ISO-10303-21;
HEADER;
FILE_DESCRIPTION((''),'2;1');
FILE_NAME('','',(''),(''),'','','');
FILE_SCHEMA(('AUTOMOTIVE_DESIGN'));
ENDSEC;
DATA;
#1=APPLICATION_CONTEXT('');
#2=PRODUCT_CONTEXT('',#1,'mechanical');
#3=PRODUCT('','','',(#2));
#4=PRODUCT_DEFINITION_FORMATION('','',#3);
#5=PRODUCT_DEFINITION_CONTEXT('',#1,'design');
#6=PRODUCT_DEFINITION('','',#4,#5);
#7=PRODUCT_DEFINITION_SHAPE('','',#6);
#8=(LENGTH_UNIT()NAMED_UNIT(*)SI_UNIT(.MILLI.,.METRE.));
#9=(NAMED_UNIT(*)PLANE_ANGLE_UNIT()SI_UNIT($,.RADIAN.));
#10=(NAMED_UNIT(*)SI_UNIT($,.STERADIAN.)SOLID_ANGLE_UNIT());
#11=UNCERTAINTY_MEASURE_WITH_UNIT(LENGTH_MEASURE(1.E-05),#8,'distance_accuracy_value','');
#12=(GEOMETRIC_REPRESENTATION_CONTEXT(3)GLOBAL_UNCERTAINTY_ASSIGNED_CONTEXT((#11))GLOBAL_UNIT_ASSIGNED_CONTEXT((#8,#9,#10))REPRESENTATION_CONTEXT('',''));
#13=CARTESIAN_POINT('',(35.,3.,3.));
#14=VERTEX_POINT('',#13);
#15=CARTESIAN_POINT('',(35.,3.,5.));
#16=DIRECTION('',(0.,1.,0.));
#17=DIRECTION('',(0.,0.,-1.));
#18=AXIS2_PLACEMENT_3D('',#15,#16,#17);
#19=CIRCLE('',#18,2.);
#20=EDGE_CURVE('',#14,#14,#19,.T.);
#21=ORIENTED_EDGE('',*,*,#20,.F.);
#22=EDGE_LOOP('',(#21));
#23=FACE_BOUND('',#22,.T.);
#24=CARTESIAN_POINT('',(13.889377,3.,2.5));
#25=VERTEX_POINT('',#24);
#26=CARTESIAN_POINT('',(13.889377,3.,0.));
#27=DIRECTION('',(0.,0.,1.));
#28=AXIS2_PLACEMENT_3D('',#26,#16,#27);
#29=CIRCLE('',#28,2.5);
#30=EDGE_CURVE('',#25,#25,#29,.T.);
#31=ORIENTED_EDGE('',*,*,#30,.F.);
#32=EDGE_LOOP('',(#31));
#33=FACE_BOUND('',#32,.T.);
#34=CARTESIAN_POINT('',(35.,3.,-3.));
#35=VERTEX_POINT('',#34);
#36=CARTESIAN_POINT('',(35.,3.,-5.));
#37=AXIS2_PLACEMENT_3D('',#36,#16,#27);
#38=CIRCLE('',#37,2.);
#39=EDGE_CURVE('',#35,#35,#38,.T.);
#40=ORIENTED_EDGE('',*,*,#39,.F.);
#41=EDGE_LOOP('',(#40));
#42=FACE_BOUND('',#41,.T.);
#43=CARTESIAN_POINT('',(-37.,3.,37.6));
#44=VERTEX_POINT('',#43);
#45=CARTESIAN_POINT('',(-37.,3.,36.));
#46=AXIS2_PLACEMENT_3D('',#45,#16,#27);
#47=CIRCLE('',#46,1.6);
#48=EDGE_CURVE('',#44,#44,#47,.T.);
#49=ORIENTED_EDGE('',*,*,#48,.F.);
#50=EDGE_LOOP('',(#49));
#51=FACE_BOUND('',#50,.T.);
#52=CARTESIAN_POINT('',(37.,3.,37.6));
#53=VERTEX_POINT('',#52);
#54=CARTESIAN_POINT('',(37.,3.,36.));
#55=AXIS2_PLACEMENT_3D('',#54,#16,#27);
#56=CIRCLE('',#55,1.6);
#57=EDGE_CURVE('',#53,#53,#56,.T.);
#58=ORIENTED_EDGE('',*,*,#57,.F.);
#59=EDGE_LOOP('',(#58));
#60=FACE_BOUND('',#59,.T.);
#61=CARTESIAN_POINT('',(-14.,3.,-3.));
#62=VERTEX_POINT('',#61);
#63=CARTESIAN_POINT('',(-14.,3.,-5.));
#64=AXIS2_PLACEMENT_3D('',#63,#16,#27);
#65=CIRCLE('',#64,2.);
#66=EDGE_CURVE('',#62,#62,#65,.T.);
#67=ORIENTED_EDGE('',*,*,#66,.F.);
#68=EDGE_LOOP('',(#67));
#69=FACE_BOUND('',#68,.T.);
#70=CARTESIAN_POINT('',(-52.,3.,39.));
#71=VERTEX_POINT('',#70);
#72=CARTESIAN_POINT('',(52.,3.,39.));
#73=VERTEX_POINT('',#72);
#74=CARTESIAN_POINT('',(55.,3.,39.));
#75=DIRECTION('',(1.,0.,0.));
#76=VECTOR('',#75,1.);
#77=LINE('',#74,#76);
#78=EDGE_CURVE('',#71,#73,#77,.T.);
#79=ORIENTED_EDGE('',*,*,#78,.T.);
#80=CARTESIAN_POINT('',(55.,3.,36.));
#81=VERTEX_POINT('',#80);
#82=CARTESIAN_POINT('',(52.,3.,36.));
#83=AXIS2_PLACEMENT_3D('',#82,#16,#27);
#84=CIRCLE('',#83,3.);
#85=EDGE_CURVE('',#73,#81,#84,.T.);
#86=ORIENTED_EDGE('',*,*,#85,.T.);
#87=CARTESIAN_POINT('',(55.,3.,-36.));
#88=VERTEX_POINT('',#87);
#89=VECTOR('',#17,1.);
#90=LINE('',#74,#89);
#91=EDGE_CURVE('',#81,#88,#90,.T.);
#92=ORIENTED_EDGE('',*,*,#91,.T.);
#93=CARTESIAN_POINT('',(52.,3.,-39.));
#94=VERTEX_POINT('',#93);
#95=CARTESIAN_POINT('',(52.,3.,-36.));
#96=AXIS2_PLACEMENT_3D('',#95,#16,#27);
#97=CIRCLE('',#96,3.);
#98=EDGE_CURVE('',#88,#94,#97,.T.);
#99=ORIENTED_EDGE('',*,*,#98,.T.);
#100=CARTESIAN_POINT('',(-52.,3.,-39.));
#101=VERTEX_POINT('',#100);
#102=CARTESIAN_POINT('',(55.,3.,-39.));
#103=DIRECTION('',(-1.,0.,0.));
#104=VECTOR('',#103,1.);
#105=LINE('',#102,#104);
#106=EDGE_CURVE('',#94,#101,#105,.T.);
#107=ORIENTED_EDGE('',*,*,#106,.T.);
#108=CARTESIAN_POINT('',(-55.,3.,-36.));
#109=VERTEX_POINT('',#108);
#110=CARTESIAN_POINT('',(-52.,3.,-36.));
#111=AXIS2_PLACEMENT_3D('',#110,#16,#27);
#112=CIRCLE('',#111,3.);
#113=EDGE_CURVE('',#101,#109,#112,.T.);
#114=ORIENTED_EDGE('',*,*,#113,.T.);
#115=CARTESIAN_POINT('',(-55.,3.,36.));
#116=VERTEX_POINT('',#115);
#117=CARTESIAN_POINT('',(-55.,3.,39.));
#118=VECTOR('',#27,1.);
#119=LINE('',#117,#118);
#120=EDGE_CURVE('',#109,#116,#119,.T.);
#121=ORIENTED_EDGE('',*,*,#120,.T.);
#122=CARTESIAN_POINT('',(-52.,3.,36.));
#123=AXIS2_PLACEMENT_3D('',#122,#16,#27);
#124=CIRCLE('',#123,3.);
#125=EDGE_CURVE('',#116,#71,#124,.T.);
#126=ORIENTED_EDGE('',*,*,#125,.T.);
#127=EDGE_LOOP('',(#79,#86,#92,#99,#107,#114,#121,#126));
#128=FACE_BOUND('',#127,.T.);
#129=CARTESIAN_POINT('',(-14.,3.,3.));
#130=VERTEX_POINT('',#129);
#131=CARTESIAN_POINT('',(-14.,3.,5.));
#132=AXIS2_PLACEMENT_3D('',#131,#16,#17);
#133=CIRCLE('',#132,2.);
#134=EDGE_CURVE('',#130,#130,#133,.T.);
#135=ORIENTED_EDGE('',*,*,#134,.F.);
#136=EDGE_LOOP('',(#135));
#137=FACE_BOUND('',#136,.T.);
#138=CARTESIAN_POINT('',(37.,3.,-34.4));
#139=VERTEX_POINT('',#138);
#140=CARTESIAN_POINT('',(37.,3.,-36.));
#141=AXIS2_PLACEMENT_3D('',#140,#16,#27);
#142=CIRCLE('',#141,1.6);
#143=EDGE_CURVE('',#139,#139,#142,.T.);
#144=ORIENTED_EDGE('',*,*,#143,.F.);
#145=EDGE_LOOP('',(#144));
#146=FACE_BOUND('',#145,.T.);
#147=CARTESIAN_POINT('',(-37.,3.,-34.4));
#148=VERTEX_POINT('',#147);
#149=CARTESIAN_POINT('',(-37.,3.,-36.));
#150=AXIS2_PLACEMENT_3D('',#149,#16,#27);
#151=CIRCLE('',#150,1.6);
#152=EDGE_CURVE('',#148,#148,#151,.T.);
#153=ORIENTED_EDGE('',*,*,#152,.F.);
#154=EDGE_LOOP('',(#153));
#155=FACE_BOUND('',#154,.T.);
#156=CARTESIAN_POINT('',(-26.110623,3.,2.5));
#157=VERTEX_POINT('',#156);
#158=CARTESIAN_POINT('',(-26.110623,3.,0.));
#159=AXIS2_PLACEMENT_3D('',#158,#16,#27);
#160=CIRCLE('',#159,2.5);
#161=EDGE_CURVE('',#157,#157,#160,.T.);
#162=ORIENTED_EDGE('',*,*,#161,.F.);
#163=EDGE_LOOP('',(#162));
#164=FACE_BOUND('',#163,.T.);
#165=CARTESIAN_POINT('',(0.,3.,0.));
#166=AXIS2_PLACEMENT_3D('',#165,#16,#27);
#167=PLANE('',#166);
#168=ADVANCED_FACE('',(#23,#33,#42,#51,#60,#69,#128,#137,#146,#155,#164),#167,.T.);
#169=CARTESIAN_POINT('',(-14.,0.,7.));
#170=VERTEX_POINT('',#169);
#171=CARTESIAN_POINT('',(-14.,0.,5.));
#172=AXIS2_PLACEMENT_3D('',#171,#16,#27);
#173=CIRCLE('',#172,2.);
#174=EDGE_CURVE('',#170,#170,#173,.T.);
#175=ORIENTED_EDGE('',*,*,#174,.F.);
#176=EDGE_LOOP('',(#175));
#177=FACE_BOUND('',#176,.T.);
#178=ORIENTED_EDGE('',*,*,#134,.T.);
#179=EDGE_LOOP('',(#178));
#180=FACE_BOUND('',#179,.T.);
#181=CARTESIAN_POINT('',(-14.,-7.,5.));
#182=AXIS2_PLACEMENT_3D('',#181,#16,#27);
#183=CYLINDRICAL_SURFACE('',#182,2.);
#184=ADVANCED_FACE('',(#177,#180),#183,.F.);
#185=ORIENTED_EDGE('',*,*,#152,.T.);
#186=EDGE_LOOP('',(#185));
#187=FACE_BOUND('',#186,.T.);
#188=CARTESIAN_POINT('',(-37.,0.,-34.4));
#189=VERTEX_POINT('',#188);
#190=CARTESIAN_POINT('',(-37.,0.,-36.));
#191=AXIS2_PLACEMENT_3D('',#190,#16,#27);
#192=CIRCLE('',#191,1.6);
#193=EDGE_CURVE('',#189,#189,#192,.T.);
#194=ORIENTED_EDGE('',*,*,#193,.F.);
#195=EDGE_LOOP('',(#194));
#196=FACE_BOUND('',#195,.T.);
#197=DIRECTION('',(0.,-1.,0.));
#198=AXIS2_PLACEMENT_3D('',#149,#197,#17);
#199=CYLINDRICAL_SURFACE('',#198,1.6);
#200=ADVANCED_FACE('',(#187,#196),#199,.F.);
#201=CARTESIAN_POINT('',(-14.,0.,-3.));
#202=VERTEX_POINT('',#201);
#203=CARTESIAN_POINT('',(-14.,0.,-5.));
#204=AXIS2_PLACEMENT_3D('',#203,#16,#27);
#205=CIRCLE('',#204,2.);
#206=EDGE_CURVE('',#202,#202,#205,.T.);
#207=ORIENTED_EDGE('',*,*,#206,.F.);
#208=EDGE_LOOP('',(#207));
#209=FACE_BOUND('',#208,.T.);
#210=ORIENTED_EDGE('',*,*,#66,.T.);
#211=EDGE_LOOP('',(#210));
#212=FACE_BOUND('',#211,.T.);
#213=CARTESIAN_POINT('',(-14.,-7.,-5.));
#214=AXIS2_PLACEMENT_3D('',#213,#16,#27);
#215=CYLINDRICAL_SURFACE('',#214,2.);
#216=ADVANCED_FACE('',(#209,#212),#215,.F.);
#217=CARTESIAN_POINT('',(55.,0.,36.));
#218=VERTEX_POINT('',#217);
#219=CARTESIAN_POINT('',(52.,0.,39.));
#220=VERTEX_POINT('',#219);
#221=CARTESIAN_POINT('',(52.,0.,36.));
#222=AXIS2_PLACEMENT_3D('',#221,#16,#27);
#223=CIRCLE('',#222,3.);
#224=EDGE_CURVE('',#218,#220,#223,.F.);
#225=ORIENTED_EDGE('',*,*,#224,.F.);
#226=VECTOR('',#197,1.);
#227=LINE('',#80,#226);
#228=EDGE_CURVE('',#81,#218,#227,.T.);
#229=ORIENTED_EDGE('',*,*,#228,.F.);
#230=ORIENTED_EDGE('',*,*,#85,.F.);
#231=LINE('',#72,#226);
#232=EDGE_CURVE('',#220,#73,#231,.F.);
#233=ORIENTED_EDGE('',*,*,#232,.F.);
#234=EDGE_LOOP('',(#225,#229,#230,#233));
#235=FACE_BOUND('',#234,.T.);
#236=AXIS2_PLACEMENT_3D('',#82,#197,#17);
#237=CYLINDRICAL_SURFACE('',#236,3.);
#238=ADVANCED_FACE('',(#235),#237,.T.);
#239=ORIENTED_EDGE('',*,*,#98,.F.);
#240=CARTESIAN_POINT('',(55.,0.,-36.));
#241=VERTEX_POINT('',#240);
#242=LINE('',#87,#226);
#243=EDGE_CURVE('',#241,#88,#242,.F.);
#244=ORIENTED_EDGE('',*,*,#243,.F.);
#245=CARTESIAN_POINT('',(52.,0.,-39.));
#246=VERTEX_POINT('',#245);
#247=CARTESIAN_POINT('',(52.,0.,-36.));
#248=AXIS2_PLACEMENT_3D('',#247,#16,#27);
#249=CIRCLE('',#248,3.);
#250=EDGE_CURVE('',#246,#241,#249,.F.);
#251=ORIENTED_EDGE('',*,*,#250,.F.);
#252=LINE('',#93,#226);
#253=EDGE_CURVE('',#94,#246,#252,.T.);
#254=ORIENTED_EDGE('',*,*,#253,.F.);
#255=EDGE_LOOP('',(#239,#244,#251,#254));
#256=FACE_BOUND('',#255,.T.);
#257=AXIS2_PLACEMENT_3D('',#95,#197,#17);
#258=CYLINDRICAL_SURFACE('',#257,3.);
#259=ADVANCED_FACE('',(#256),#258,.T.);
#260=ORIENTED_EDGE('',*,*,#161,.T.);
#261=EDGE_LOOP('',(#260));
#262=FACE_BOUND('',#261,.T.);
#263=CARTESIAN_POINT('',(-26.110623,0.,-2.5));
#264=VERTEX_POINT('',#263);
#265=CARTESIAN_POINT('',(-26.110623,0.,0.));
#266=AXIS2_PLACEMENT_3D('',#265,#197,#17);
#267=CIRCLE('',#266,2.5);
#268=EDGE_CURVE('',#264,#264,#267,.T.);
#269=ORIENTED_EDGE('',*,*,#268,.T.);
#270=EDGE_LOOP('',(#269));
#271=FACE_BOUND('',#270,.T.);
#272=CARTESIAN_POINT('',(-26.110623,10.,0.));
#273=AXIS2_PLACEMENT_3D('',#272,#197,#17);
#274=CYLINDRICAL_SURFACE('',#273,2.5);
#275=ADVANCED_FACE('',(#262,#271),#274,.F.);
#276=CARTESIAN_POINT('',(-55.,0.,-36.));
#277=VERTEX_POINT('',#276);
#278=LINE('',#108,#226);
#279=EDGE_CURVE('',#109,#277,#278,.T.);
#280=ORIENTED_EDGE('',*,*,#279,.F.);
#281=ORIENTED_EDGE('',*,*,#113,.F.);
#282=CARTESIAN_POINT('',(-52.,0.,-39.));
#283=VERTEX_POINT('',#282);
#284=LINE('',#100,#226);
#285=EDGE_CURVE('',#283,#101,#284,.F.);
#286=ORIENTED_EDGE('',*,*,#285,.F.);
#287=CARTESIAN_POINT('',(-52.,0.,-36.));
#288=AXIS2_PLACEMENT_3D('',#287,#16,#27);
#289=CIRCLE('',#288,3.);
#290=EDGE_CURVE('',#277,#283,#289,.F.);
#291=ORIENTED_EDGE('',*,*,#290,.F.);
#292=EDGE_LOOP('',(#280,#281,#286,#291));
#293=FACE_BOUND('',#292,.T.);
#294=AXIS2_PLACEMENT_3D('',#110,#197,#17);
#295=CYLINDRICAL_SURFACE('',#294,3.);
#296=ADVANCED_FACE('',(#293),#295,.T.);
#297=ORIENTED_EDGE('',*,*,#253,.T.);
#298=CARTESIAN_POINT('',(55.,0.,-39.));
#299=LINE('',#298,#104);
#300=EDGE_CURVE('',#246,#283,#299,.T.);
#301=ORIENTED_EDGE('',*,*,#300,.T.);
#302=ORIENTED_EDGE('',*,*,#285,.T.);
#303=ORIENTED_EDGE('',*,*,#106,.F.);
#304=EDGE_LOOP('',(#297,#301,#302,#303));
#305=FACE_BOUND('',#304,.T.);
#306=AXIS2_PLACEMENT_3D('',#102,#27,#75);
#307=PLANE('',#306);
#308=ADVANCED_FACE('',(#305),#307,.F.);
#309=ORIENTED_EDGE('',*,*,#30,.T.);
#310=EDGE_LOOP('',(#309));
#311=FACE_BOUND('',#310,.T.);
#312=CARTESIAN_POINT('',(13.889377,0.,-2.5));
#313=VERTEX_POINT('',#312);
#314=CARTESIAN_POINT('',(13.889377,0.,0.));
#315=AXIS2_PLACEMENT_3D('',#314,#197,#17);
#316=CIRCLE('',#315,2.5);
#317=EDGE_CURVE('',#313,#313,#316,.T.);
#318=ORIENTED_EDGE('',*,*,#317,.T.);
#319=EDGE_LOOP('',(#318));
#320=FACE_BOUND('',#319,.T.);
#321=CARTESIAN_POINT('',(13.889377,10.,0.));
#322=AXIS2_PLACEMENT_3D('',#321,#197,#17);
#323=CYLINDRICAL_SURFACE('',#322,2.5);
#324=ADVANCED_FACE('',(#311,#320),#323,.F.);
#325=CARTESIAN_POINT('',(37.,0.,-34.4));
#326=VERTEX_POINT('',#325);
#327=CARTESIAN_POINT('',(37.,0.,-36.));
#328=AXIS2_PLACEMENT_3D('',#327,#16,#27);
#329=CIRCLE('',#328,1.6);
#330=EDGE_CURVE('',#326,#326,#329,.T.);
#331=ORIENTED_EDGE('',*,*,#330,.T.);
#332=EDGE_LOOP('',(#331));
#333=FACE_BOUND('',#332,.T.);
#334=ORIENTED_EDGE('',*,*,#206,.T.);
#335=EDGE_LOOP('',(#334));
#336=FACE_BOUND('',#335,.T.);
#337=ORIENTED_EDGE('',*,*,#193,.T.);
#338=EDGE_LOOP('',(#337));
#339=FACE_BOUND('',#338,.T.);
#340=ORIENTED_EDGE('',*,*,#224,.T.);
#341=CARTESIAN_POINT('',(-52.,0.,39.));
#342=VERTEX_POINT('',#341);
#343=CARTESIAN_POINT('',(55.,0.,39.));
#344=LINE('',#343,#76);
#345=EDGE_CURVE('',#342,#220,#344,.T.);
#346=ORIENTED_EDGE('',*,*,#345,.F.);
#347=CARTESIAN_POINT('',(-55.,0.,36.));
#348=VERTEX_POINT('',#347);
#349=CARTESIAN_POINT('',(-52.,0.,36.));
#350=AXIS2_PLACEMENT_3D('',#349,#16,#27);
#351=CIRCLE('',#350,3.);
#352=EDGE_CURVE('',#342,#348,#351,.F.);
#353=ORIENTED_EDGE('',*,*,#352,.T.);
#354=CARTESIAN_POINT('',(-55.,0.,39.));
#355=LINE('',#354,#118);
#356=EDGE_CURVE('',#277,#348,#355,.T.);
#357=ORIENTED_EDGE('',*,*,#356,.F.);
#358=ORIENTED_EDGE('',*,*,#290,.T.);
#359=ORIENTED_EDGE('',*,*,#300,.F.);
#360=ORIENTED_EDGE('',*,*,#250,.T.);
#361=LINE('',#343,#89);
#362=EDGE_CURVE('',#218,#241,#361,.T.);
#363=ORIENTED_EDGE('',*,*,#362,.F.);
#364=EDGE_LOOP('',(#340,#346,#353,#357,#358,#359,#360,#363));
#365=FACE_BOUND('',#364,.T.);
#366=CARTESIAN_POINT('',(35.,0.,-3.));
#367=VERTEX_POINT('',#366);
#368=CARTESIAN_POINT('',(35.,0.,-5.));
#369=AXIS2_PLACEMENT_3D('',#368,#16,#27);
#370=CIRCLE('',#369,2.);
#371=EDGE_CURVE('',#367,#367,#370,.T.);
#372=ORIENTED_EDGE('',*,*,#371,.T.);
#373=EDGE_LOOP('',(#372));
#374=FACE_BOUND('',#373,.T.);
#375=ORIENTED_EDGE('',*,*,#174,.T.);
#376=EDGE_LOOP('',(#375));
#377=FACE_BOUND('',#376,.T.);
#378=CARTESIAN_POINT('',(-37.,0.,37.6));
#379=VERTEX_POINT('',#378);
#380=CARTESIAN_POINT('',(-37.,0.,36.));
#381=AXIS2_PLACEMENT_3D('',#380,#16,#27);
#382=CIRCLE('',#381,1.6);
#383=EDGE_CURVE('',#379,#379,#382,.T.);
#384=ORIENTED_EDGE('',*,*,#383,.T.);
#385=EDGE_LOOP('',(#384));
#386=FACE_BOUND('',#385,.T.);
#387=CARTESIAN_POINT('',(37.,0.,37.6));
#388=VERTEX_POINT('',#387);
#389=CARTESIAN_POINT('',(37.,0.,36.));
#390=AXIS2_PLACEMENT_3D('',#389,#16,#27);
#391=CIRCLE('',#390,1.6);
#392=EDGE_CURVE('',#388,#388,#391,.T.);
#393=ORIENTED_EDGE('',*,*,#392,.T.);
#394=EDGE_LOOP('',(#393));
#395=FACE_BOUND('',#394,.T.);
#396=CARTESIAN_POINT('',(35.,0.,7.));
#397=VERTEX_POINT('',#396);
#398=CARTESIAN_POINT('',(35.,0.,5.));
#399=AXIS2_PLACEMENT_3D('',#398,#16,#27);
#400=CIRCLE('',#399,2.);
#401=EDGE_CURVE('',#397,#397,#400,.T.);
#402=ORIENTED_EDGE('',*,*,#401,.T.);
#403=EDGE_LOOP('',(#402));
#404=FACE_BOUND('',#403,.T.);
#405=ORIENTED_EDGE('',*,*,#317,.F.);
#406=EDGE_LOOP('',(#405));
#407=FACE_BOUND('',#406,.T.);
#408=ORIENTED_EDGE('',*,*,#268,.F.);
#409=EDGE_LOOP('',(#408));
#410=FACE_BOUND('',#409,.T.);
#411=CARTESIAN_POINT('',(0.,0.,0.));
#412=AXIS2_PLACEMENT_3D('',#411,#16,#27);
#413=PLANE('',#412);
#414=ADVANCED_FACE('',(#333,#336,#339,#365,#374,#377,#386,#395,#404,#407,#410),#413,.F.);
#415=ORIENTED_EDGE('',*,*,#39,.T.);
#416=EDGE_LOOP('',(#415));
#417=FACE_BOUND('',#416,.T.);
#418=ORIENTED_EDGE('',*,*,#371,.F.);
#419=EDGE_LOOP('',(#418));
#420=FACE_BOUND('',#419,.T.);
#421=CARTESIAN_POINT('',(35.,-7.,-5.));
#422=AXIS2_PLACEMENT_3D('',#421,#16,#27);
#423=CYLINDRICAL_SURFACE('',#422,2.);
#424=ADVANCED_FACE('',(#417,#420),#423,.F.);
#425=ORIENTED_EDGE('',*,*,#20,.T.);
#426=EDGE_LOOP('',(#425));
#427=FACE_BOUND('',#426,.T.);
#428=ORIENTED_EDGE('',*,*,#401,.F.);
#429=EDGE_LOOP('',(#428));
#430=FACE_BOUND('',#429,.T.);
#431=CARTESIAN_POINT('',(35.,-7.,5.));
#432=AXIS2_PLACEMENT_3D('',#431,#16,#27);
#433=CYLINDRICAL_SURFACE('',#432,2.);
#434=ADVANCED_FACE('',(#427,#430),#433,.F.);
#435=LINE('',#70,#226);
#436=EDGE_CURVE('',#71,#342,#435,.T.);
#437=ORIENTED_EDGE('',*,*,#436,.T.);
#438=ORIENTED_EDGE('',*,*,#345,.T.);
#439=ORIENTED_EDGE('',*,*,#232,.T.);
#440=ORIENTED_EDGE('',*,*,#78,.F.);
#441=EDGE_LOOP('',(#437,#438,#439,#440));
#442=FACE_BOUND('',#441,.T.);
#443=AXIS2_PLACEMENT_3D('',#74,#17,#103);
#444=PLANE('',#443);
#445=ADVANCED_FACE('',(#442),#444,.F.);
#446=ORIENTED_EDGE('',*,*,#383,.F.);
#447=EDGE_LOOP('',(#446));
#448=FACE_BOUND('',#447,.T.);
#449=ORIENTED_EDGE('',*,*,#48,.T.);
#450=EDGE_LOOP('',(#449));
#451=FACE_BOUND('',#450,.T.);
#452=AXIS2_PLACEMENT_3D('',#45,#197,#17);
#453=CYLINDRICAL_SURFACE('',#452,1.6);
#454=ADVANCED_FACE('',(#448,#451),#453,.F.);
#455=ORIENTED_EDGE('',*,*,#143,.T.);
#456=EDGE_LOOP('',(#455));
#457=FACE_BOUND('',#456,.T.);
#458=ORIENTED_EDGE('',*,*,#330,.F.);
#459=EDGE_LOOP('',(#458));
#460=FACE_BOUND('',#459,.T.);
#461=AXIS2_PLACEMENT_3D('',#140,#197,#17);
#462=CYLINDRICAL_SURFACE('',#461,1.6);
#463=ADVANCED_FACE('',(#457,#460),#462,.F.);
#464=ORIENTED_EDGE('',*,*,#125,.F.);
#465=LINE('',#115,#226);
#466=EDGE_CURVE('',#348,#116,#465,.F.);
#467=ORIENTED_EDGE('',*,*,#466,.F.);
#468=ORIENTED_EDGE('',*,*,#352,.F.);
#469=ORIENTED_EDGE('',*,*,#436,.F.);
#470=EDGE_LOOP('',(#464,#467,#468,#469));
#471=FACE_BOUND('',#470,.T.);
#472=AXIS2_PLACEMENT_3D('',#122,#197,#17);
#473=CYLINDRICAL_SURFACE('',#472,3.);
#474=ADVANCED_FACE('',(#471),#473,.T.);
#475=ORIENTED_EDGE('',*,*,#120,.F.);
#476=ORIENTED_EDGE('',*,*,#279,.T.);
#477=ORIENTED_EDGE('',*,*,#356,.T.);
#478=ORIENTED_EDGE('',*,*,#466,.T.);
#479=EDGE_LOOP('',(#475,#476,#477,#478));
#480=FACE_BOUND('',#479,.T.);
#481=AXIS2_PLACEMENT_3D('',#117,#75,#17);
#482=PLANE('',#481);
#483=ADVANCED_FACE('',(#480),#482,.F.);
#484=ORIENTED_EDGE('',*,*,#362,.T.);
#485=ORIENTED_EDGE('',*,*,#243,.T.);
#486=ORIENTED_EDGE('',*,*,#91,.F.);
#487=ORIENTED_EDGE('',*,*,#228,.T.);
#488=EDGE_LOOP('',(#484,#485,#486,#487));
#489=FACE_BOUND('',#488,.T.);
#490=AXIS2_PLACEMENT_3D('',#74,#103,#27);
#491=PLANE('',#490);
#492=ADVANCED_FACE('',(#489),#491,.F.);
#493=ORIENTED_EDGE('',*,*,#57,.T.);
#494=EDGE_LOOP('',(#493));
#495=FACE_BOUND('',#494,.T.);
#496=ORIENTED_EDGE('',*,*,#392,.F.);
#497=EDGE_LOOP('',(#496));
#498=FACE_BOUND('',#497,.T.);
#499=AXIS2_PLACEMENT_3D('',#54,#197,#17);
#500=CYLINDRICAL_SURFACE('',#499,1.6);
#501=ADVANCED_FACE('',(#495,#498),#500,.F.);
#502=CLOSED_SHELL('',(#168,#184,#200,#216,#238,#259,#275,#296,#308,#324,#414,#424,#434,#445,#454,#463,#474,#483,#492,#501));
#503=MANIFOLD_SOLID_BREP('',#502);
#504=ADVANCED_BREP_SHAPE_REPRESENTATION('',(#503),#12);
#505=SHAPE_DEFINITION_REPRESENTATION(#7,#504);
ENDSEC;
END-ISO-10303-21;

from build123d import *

# Parameters (mm, degrees)
SKETCH_1_W          = 110
SKETCH_1_H          = 78
SKETCH_1_R          = 1.6
EXTRUDE_1_DEPTH     = 3
FILLET_1_R          = 3
SKETCH_2_R          = 2
CUT_EXTRUDE_1_DEPTH = 10
SKETCH_3_R          = 2.5
CUT_EXTRUDE_2_DEPTH = 10


with BuildPart() as part:
    # 草图1 → 凸台-拉伸1 (new body)
    with BuildSketch(Plane(origin=(0, 0, 0), x_dir=(1, 0, 0), z_dir=(0, 1, 0))):
        Rectangle(SKETCH_1_W, SKETCH_1_H)
        with Locations(Location((-37, 36, 0), (0, 0, 270))):
            Circle(SKETCH_1_R, mode=Mode.SUBTRACT)
        with Locations(Location((37, 36, 0), (0, 0, 270))):
            Circle(SKETCH_1_R, mode=Mode.SUBTRACT)
        with Locations(Location((37, -36, 0), (0, 0, 270))):
            Circle(SKETCH_1_R, mode=Mode.SUBTRACT)
        with Locations(Location((-37, -36, 0), (0, 0, 270))):
            Circle(SKETCH_1_R, mode=Mode.SUBTRACT)
    extrude(amount=EXTRUDE_1_DEPTH)

    # 圆角1
    fillet_1_edges = [part.edges().sort_by_distance(p)[0] for p in [
        (-55, 1.5, -39),
        (55, 1.5, -39),
        (55, 1.5, 39),
        (-55, 1.5, 39),
    ]]
    fillet(fillet_1_edges, radius=FILLET_1_R)

    # 草图2 → 切除-拉伸1 (cut)
    with BuildSketch(Plane(origin=(0, 3, 0), x_dir=(1, 0, 0), z_dir=(0, 1, 0))):
        with Locations(Location((-14, 5, 0), (0, 0, 270))):
            Circle(SKETCH_2_R)
        with Locations(Location((35, 5, 0), (0, 0, 270))):
            Circle(SKETCH_2_R)
        with Locations(Location((35, -5, 0), (0, 0, 270))):
            Circle(SKETCH_2_R)
        with Locations(Location((-14, -5, 0), (0, 0, 270))):
            Circle(SKETCH_2_R)
    extrude(amount=-CUT_EXTRUDE_1_DEPTH, mode=Mode.SUBTRACT)

    # 草图3 → 切除-拉伸2 (cut)
    with BuildSketch(Plane.XZ):
        with Locations(Location((-26.110622524, 0, 0), (0, 0, 270))):
            Circle(SKETCH_3_R)
        with Locations(Location((13.889377476, 0, 0), (0, 0, 270))):
            Circle(SKETCH_3_R)
    extrude(amount=-CUT_EXTRUDE_2_DEPTH, mode=Mode.SUBTRACT)


solid = part.part
